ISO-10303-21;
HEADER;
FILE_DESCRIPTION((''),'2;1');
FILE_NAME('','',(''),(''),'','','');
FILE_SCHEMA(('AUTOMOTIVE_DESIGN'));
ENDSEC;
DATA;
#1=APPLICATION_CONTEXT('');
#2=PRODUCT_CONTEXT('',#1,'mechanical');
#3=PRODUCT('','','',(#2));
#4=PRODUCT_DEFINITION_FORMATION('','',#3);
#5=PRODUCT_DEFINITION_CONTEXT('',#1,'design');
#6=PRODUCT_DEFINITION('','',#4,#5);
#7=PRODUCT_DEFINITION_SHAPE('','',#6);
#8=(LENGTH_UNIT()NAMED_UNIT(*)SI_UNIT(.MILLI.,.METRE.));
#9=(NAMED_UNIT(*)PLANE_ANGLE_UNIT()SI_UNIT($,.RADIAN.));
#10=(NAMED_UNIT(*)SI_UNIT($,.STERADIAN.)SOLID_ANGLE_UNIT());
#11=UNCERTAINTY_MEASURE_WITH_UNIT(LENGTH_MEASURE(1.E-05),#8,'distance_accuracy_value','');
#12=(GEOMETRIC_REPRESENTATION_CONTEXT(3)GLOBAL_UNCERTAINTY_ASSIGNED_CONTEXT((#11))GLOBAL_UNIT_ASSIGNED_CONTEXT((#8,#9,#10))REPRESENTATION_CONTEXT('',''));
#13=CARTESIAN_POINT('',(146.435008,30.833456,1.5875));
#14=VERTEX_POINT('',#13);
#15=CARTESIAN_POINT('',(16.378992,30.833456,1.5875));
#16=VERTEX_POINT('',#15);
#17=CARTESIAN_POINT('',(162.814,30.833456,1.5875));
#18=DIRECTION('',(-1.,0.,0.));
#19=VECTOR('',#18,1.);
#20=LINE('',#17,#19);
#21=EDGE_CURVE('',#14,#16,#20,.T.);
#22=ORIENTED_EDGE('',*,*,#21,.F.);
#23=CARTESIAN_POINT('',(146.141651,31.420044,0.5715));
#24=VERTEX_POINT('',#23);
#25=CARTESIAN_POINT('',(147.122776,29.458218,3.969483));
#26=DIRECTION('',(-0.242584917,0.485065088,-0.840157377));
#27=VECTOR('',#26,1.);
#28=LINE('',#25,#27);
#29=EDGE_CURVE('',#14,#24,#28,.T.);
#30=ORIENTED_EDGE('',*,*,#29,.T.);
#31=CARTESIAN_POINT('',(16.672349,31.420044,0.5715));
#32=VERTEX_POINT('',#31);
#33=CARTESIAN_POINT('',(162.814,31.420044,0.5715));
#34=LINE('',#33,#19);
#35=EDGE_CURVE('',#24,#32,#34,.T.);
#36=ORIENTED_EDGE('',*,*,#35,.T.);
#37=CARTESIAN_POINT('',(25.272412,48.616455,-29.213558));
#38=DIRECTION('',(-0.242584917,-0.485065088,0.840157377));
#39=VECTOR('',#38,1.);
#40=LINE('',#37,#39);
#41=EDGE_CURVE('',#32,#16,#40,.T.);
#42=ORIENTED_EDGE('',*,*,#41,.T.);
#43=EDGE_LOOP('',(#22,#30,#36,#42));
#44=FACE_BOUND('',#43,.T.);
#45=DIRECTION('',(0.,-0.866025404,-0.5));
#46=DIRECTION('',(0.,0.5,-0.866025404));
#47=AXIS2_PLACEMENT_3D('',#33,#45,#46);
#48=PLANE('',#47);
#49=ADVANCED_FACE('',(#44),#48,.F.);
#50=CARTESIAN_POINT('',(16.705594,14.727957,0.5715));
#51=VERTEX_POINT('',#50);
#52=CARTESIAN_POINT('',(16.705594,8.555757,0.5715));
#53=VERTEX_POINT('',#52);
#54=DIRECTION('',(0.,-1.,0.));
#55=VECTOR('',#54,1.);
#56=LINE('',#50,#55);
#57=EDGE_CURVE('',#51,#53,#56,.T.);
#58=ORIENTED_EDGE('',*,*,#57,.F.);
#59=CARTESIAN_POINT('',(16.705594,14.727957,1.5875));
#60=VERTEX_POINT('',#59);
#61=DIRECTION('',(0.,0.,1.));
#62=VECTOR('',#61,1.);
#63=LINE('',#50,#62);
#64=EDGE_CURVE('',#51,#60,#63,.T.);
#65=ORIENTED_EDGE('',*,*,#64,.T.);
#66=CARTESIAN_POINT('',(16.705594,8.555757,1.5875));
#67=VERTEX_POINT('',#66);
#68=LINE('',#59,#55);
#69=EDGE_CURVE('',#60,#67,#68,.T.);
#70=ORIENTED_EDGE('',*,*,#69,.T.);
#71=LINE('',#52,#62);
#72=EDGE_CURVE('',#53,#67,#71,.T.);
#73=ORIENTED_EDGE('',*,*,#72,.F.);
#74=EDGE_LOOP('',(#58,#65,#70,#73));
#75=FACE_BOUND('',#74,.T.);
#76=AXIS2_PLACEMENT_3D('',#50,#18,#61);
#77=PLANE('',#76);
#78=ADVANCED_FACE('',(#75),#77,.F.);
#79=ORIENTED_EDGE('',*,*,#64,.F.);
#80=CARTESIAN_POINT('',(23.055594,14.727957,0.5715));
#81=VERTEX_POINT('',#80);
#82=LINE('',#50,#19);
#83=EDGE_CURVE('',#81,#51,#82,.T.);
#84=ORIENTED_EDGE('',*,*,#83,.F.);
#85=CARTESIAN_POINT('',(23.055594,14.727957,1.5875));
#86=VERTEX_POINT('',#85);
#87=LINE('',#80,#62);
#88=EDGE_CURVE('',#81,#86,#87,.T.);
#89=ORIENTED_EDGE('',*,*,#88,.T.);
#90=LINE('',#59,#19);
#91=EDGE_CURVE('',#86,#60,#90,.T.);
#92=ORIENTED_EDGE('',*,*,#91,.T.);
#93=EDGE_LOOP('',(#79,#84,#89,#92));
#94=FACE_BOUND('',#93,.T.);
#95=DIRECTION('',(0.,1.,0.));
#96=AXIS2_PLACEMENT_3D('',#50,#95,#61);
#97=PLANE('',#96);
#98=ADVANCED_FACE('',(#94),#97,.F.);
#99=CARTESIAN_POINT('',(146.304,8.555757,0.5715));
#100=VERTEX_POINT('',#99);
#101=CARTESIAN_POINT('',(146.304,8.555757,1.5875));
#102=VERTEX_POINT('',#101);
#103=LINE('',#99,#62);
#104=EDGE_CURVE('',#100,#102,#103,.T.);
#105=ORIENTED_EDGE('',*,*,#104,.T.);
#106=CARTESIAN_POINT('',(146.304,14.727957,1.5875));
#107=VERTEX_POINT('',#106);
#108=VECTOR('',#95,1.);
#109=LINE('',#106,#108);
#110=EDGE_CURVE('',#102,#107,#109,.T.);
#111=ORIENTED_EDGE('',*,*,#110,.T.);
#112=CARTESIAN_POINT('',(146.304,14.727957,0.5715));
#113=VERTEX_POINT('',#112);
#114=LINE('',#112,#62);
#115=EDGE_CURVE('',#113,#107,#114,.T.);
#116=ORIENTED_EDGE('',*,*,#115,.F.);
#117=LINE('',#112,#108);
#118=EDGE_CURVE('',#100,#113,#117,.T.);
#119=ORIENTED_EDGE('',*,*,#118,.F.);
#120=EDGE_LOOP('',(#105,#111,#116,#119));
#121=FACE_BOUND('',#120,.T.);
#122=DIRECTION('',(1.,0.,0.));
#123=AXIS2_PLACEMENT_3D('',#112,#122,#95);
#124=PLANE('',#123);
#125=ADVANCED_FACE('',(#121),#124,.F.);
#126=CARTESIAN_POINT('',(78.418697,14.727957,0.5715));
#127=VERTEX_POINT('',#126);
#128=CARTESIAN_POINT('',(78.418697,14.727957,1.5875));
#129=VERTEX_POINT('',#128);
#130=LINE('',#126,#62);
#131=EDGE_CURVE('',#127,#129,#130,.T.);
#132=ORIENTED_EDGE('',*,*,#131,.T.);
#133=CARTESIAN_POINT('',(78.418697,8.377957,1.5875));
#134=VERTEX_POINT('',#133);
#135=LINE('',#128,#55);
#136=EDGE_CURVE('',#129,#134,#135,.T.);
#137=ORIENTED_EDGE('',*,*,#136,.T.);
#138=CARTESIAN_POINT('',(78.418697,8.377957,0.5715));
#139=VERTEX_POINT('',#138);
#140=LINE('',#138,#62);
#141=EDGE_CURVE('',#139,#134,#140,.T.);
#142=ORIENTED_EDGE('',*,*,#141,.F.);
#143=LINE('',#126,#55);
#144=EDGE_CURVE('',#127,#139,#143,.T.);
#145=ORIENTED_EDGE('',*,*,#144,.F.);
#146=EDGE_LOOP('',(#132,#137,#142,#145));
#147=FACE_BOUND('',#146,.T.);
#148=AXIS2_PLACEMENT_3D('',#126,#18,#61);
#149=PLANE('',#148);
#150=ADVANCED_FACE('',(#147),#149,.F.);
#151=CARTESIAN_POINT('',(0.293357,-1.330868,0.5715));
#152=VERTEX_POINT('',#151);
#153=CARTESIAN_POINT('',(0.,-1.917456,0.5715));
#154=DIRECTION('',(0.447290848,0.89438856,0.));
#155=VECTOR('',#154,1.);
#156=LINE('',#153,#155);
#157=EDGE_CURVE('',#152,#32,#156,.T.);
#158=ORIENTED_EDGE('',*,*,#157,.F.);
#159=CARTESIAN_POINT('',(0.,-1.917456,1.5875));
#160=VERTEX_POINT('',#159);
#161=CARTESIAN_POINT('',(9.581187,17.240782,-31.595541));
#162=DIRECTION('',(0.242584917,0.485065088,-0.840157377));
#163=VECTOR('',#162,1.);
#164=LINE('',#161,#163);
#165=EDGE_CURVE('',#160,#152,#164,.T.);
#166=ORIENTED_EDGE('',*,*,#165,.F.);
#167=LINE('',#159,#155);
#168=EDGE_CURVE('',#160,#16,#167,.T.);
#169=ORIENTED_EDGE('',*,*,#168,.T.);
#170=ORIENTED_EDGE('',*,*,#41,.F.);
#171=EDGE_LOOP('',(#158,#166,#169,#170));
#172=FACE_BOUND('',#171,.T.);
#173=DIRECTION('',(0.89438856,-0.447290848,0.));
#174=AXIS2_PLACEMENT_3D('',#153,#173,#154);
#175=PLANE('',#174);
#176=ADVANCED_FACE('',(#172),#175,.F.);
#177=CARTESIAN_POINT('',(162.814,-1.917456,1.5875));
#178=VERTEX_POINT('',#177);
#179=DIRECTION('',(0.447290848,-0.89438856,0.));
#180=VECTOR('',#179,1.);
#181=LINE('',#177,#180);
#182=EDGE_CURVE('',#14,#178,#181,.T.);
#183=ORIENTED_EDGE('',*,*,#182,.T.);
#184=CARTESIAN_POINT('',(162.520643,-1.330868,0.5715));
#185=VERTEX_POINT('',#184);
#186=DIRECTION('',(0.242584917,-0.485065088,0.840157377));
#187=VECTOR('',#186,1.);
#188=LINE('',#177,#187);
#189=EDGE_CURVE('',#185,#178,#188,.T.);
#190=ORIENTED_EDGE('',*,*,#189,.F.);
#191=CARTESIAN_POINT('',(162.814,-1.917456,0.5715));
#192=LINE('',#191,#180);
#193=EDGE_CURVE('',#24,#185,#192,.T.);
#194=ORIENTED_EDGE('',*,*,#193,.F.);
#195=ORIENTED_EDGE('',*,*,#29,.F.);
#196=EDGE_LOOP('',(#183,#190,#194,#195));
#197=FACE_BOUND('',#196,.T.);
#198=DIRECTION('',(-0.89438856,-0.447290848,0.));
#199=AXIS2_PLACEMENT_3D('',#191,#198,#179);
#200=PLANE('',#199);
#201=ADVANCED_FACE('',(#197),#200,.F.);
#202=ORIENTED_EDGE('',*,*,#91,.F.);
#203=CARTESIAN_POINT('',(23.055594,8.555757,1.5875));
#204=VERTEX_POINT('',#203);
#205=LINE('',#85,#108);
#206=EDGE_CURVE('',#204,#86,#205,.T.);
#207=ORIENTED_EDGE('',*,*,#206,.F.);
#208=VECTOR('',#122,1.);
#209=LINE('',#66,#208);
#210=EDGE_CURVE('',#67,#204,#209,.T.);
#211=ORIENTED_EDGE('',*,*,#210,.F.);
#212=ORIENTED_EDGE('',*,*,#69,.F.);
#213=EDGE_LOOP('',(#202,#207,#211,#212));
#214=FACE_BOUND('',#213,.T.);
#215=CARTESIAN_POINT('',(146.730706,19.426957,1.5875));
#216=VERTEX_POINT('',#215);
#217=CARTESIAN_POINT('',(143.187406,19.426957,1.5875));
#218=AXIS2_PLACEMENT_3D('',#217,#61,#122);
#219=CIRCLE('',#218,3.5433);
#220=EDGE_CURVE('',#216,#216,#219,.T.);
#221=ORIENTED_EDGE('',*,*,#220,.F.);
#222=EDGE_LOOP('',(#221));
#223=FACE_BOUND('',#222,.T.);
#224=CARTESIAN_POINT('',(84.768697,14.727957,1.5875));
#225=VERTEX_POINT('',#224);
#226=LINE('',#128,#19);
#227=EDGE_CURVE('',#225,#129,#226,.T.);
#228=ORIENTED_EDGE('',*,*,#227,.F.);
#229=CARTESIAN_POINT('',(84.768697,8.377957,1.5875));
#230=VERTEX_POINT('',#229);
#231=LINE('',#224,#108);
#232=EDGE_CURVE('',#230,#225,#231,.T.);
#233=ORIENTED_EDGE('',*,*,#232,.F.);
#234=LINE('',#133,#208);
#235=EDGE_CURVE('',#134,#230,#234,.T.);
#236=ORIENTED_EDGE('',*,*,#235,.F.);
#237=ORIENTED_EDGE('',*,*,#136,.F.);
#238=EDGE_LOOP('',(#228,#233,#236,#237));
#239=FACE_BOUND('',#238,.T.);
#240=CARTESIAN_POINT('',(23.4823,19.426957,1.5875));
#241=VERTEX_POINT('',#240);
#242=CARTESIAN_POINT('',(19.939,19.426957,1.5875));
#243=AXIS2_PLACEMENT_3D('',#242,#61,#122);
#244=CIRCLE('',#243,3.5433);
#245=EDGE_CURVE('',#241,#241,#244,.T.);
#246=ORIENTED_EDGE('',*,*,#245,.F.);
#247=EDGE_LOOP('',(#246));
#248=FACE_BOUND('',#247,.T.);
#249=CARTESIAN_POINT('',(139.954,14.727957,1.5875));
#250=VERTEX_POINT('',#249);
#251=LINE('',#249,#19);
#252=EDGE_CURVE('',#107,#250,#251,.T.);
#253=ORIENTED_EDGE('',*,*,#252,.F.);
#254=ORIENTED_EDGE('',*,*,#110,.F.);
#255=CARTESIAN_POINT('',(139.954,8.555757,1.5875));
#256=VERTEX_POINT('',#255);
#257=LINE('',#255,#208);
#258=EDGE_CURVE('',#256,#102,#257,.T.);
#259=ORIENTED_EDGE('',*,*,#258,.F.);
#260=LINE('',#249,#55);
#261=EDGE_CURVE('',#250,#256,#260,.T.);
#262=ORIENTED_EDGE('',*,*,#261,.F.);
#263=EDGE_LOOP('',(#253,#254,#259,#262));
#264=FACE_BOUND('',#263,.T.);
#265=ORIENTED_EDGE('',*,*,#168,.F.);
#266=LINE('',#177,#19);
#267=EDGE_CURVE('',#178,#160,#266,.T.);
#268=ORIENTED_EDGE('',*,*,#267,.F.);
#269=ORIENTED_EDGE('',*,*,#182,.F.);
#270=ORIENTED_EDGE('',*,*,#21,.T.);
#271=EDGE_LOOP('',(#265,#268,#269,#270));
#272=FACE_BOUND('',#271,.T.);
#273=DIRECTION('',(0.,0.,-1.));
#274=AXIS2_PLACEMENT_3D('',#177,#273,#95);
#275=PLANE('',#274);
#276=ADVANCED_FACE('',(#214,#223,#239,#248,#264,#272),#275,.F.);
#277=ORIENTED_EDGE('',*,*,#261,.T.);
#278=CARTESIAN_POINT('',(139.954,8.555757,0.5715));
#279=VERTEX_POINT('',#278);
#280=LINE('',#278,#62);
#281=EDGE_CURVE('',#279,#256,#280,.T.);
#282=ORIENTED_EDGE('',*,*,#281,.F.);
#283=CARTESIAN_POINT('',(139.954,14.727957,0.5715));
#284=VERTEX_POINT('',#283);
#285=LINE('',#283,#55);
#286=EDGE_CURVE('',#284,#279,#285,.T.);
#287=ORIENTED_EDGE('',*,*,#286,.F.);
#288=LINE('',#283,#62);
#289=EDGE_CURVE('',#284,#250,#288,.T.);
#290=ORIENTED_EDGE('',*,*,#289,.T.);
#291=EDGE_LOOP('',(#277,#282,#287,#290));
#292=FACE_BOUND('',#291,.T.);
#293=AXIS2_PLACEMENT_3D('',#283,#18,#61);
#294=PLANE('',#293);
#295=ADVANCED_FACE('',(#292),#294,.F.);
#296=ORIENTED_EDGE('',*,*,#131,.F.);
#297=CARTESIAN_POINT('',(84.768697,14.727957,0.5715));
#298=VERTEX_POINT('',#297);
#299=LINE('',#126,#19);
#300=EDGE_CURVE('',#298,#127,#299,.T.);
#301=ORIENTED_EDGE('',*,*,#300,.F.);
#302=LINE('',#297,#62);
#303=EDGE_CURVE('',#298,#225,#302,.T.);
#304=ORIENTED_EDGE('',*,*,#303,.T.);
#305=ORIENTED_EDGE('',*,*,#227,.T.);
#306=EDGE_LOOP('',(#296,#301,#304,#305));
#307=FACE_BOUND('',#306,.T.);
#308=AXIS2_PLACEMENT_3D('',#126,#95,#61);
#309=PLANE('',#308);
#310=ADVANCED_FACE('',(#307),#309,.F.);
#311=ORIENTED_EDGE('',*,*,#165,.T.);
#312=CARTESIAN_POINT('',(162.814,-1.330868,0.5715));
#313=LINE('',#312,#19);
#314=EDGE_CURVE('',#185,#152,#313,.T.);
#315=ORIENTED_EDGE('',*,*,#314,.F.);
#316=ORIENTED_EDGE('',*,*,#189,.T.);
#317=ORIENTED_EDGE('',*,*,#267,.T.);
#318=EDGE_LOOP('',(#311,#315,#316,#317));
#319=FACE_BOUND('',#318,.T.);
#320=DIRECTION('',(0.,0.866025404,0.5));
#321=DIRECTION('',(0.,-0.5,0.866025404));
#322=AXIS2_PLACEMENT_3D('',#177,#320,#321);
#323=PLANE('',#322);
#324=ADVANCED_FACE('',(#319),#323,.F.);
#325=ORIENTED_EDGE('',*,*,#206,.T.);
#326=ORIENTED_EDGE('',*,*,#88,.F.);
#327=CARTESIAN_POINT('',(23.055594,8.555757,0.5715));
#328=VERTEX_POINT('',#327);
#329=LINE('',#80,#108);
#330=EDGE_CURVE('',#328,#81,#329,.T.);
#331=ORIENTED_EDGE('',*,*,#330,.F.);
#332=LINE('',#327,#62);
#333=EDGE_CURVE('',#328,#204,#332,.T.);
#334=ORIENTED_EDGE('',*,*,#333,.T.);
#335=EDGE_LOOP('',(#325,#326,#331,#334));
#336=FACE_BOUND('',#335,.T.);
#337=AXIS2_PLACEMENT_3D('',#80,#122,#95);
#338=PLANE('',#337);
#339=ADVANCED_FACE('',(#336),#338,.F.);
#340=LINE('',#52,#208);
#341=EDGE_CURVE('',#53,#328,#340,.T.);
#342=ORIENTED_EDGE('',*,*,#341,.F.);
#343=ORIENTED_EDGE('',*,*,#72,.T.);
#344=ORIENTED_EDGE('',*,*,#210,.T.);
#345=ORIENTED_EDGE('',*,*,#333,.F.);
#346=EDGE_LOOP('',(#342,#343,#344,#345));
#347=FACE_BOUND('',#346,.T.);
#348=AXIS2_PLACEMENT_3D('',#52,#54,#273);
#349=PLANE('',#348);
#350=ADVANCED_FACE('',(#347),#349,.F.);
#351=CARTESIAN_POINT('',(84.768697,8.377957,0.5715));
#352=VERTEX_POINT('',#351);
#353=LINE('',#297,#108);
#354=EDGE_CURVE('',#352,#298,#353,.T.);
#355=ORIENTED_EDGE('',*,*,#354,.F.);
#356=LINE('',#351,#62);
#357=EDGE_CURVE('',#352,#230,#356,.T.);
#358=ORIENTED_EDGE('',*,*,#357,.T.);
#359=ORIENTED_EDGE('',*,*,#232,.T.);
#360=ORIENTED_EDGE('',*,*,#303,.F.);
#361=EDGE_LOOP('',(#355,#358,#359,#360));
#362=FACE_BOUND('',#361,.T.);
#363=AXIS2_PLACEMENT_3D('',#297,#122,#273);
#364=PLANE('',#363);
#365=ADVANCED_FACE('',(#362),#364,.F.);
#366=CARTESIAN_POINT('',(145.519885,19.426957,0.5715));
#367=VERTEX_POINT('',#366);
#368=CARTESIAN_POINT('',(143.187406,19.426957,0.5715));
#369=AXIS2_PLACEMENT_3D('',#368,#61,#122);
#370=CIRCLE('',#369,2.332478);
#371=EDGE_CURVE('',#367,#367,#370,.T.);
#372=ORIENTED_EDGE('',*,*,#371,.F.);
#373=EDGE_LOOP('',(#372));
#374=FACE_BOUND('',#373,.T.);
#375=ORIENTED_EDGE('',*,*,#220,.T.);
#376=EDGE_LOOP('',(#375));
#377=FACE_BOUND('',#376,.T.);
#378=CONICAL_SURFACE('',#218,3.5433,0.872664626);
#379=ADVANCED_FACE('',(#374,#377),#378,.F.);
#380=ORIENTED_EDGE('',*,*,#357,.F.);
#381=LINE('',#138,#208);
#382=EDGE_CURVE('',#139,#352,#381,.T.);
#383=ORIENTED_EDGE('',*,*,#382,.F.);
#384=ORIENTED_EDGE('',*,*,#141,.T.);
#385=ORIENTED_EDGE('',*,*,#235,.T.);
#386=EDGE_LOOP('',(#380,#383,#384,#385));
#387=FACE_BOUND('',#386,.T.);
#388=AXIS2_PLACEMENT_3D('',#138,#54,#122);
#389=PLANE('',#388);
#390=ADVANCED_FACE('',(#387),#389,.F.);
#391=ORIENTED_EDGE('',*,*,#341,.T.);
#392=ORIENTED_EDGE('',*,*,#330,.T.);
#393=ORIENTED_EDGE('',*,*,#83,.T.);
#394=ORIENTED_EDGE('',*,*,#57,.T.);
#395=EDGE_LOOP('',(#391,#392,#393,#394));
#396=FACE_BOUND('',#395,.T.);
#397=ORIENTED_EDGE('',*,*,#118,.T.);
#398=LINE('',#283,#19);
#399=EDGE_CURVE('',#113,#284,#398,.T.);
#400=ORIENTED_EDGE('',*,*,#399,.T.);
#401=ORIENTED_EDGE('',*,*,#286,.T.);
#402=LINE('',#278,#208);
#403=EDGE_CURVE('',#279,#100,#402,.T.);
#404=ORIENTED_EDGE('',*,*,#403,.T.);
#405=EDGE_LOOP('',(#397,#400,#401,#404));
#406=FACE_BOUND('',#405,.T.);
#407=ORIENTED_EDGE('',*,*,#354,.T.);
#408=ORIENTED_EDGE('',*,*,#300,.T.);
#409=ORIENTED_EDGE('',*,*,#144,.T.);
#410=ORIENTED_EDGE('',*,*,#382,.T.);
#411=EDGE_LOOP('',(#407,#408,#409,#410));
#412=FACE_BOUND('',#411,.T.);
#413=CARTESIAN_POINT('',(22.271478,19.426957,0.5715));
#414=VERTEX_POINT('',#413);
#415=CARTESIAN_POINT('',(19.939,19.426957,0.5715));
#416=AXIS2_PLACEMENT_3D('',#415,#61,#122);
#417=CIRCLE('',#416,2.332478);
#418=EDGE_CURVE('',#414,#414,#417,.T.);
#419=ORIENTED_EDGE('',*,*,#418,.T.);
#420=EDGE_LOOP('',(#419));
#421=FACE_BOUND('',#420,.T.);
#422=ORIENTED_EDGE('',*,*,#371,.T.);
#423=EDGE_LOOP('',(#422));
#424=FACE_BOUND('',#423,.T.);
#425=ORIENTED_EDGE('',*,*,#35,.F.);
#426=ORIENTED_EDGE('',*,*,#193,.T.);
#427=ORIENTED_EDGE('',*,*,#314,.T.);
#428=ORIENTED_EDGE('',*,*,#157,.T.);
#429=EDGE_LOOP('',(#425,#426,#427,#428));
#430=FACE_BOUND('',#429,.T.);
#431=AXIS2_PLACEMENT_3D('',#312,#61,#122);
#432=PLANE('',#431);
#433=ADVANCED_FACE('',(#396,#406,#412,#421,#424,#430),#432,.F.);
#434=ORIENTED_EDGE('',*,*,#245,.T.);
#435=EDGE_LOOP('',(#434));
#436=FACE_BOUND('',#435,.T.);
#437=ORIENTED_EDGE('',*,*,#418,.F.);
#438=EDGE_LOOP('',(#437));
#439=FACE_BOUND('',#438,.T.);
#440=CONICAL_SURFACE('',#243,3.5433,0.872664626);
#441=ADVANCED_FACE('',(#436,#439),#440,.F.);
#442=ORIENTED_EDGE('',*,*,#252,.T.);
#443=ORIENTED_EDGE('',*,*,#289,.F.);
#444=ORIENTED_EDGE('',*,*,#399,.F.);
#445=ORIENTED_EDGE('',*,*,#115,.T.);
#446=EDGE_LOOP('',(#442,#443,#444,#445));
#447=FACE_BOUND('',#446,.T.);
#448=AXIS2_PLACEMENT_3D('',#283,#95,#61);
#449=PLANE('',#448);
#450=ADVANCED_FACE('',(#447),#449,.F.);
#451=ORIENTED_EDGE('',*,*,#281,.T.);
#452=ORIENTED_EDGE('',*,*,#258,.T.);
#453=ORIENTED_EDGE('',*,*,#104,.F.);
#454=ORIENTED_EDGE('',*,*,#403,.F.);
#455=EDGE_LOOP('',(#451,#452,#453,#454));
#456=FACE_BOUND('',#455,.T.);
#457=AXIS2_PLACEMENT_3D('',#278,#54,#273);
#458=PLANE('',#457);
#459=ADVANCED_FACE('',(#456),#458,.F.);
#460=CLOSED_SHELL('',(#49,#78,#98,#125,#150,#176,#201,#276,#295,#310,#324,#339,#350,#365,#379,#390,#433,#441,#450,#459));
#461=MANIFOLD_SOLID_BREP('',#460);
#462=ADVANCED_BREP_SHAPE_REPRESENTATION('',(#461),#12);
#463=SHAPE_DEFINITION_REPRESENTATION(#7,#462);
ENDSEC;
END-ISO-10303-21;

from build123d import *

# Parameters (mm, degrees)
BOSS_EXTRUDE2_DEPTH                       = 162.814
CUT_EXTRUDE1_DEPTH                        = 166.821138692
SKETCH6_W                                 = 6.35
SKETCH6_H                                 = 6.1722
SKETCH6_H_2                               = 6.35
CUT_EXTRUDE2_DEPTH                        = 166.821138692
CSK_FOR_6_FLAT_HEAD_MACHINE_SCREW_2_COUNT = 2
CSK_FOR_6_FLAT_HEAD_MACHINE_SCREW_2_PITCH = 123.248406325


with BuildPart() as part:
    # Sketch3 → Boss-Extrude2 (new body)
    with BuildSketch(Plane(origin=(0, 0, 0), x_dir=(0, 0, -1), z_dir=(1, 0, 0))):
        Polygon((-0.5715, 31.420044321), (-1.5875, 30.833456448), (-1.5875, -1.917455679), (-0.5715, -1.330867805), align=None)
    extrude(amount=BOSS_EXTRUDE2_DEPTH)

    # Sketch5 → Cut-Extrude1 (cut, through all)
    with BuildSketch(Plane.XY.offset(1.5875)):
        Polygon((0, -1.917455679), (16.672349491, 31.420044321), (0, 31.420044321), align=None)
        Polygon((162.814, -1.917455679), (146.141650509, 31.420044321), (162.814, 31.420044321), align=None)
    extrude(amount=-CUT_EXTRUDE1_DEPTH, mode=Mode.SUBTRACT)

    # Sketch6 → Cut-Extrude2 (cut, through all)
    with BuildSketch(Plane.XY.offset(1.5875)):
        with Locations((19.880593675, 11.641857216)):
            Rectangle(SKETCH6_W, SKETCH6_H)
        with Locations((143.129, 11.641857216)):
            Rectangle(SKETCH6_W, SKETCH6_H)
        with Locations((81.593696837, 11.552957216)):
            Rectangle(SKETCH6_W, SKETCH6_H_2)
    extrude(amount=-CUT_EXTRUDE2_DEPTH, mode=Mode.SUBTRACT)

    # Sketch7 → CSK for #6 Flat Head Machine Screw (100)1 (revolve, cut)
    with BuildSketch(Plane(origin=(19.939, 19.426957216, 1.5875), x_dir=(0, -1, 0), z_dir=(1, 0, 0))):
        Polygon((0, 0), (0, 1.016), (1.89865, 1.016), (1.89865, 1.380025208), (3.5433, 0), align=None)
    csk_for_6_flat_head_machine_screw_100 = revolve(axis=Axis((19.939, 19.426957216, 7.9375), (0, 0, -1)), mode=Mode.SUBTRACT)

    # CSK for _6 Flat Head Machine Screw _ 2: CSK for #6 Flat Head Machine Screw (100)1 ×2
    with Locations(*[(i * CSK_FOR_6_FLAT_HEAD_MACHINE_SCREW_2_PITCH, 0, 0) for i in range(1, CSK_FOR_6_FLAT_HEAD_MACHINE_SCREW_2_COUNT)]):
        add(csk_for_6_flat_head_machine_screw_100, mode=Mode.SUBTRACT)


solid = part.part
